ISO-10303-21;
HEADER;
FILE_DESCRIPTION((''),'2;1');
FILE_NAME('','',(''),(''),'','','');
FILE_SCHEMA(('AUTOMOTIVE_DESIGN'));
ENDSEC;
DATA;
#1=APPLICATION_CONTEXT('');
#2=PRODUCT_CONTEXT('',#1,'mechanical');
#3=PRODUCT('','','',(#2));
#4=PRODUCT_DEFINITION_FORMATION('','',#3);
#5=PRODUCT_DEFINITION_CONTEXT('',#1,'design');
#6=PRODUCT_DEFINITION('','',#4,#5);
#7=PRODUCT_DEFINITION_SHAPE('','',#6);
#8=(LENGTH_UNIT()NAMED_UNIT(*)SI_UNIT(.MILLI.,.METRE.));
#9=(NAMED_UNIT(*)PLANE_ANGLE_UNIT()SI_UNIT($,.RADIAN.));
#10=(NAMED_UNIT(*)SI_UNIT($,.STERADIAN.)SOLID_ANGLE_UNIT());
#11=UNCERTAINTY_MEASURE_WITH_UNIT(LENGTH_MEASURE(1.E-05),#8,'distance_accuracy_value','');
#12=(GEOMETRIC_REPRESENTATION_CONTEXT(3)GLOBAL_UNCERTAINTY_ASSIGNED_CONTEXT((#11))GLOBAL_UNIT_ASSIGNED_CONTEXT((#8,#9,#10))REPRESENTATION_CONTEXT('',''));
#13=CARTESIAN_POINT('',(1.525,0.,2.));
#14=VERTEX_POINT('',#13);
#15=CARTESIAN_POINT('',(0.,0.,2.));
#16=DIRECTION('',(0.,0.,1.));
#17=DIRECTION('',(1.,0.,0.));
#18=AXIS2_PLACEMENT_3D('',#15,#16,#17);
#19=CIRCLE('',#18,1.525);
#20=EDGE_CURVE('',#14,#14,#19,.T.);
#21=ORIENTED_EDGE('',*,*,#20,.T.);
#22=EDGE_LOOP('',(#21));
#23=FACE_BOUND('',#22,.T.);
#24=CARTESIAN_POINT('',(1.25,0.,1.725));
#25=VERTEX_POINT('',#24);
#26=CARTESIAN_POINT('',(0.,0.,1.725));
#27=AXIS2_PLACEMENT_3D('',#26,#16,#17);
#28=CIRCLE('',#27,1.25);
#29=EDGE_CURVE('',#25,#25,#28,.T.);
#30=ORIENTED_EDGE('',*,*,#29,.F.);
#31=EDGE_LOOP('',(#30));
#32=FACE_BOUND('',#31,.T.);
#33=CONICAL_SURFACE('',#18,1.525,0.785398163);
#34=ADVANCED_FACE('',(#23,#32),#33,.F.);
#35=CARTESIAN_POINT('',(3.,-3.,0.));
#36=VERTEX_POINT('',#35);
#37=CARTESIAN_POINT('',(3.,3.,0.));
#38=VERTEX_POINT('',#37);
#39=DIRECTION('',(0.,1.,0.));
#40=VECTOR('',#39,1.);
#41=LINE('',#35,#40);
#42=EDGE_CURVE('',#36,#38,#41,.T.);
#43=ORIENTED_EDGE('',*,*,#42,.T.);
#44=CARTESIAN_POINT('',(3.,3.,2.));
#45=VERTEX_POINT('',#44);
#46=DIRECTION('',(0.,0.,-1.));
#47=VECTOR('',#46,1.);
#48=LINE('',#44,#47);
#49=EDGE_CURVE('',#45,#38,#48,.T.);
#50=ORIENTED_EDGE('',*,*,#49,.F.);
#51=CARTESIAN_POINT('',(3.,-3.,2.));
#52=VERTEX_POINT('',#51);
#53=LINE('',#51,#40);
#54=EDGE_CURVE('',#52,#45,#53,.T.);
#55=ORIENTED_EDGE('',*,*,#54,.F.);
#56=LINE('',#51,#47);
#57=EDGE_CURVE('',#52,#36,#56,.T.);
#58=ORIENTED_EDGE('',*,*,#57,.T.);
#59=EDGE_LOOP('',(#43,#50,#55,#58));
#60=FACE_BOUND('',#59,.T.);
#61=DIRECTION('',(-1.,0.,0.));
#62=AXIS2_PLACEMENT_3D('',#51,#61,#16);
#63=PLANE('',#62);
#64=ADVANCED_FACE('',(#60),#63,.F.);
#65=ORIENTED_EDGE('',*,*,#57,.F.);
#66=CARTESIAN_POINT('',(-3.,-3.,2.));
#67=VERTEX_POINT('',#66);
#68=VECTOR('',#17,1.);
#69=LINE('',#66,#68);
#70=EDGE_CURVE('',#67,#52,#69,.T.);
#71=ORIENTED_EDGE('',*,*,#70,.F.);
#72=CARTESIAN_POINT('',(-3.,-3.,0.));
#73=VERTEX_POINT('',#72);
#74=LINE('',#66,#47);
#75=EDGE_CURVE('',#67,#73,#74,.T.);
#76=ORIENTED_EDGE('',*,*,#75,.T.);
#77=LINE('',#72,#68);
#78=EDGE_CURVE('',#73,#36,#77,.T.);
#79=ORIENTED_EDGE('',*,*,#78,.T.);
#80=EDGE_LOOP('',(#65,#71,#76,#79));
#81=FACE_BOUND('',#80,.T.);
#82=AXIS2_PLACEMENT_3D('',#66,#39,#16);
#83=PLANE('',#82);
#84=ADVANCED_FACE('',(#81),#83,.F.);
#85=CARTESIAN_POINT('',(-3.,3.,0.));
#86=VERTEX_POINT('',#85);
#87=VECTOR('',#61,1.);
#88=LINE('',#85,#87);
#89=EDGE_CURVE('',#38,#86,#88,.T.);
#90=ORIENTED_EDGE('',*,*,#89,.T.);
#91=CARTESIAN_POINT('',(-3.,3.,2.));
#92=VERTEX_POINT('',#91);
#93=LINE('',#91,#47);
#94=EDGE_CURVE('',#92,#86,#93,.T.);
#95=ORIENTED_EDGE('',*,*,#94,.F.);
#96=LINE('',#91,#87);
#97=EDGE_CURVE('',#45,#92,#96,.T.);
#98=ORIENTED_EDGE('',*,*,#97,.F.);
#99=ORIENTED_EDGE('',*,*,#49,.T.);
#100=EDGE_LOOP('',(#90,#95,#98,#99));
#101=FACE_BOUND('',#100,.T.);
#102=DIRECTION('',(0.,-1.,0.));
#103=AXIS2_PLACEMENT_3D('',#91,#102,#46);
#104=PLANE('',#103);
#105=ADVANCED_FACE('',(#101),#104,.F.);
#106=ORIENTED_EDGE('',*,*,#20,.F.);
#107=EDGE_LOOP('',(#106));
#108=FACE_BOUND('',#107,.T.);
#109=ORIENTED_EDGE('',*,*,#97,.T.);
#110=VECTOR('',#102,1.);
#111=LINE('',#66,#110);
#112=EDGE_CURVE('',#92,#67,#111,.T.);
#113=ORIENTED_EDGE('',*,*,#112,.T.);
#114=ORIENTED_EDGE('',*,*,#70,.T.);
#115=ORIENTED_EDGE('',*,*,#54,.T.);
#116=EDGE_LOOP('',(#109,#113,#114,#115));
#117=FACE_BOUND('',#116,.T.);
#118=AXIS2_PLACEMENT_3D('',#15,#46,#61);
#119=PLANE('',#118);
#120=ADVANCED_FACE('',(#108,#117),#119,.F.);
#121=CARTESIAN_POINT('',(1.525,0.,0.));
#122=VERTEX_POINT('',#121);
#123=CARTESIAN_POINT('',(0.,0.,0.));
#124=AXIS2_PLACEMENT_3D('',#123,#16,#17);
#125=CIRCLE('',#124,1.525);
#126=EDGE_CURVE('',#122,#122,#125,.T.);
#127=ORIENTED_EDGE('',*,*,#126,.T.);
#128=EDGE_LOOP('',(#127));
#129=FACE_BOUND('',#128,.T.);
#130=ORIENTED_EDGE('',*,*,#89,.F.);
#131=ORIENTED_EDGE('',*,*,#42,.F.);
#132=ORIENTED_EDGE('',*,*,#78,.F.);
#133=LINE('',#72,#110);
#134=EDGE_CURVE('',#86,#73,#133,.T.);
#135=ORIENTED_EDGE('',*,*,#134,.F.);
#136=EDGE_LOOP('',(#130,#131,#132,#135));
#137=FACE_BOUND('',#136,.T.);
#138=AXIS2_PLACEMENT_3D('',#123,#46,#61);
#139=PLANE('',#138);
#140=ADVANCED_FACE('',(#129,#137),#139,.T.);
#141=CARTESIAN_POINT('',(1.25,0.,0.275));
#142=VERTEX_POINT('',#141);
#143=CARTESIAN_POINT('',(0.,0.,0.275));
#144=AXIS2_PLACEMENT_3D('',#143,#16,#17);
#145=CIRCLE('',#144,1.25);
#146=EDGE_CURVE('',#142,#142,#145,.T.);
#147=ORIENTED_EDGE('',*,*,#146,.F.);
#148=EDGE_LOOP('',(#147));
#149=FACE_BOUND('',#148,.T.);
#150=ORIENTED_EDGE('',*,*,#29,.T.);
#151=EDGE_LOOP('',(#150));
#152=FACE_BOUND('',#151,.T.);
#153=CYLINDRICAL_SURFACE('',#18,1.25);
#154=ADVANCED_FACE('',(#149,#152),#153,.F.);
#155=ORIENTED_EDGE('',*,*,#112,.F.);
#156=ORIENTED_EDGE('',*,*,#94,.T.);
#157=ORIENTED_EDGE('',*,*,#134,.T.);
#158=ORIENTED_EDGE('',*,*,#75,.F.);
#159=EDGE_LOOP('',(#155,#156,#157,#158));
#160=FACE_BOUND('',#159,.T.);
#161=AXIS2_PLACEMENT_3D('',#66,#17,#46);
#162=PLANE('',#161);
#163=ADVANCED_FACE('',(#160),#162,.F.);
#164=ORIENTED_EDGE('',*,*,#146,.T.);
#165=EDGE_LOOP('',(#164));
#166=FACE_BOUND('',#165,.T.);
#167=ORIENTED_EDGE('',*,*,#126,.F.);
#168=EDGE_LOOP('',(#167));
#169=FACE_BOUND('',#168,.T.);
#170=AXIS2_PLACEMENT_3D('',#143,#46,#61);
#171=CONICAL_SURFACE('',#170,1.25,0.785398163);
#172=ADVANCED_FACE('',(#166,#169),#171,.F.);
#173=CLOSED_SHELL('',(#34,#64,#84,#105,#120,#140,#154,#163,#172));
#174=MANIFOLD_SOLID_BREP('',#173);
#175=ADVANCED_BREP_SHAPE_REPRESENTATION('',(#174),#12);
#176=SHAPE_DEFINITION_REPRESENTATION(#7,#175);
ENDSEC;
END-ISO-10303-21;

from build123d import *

# Parameters (mm, degrees)
SKETCH_1_W      = 6
SKETCH_1_H      = 6
EXTRUDE_1_DEPTH = 2


with BuildPart() as part:
    # 草图1 → 凸台-拉伸1 (new body)
    with BuildSketch(Plane.XY):
        Rectangle(SKETCH_1_W, SKETCH_1_H)
    extrude(amount=EXTRUDE_1_DEPTH)

    # 草图3 → M3 螺纹孔1 (revolve, cut)
    with BuildSketch(Plane(origin=(0, 0, 2), x_dir=(0, -1, 0), z_dir=(1, 0, 0))):
        Polygon((0, 0), (0, 2), (1.525, 2), (1.25, 1.725), (1.25, 0.275), (1.525, 0), align=None)
    revolve(axis=Axis((0, 0, 8.35), (0, 0, -1)), mode=Mode.SUBTRACT)


solid = part.part
